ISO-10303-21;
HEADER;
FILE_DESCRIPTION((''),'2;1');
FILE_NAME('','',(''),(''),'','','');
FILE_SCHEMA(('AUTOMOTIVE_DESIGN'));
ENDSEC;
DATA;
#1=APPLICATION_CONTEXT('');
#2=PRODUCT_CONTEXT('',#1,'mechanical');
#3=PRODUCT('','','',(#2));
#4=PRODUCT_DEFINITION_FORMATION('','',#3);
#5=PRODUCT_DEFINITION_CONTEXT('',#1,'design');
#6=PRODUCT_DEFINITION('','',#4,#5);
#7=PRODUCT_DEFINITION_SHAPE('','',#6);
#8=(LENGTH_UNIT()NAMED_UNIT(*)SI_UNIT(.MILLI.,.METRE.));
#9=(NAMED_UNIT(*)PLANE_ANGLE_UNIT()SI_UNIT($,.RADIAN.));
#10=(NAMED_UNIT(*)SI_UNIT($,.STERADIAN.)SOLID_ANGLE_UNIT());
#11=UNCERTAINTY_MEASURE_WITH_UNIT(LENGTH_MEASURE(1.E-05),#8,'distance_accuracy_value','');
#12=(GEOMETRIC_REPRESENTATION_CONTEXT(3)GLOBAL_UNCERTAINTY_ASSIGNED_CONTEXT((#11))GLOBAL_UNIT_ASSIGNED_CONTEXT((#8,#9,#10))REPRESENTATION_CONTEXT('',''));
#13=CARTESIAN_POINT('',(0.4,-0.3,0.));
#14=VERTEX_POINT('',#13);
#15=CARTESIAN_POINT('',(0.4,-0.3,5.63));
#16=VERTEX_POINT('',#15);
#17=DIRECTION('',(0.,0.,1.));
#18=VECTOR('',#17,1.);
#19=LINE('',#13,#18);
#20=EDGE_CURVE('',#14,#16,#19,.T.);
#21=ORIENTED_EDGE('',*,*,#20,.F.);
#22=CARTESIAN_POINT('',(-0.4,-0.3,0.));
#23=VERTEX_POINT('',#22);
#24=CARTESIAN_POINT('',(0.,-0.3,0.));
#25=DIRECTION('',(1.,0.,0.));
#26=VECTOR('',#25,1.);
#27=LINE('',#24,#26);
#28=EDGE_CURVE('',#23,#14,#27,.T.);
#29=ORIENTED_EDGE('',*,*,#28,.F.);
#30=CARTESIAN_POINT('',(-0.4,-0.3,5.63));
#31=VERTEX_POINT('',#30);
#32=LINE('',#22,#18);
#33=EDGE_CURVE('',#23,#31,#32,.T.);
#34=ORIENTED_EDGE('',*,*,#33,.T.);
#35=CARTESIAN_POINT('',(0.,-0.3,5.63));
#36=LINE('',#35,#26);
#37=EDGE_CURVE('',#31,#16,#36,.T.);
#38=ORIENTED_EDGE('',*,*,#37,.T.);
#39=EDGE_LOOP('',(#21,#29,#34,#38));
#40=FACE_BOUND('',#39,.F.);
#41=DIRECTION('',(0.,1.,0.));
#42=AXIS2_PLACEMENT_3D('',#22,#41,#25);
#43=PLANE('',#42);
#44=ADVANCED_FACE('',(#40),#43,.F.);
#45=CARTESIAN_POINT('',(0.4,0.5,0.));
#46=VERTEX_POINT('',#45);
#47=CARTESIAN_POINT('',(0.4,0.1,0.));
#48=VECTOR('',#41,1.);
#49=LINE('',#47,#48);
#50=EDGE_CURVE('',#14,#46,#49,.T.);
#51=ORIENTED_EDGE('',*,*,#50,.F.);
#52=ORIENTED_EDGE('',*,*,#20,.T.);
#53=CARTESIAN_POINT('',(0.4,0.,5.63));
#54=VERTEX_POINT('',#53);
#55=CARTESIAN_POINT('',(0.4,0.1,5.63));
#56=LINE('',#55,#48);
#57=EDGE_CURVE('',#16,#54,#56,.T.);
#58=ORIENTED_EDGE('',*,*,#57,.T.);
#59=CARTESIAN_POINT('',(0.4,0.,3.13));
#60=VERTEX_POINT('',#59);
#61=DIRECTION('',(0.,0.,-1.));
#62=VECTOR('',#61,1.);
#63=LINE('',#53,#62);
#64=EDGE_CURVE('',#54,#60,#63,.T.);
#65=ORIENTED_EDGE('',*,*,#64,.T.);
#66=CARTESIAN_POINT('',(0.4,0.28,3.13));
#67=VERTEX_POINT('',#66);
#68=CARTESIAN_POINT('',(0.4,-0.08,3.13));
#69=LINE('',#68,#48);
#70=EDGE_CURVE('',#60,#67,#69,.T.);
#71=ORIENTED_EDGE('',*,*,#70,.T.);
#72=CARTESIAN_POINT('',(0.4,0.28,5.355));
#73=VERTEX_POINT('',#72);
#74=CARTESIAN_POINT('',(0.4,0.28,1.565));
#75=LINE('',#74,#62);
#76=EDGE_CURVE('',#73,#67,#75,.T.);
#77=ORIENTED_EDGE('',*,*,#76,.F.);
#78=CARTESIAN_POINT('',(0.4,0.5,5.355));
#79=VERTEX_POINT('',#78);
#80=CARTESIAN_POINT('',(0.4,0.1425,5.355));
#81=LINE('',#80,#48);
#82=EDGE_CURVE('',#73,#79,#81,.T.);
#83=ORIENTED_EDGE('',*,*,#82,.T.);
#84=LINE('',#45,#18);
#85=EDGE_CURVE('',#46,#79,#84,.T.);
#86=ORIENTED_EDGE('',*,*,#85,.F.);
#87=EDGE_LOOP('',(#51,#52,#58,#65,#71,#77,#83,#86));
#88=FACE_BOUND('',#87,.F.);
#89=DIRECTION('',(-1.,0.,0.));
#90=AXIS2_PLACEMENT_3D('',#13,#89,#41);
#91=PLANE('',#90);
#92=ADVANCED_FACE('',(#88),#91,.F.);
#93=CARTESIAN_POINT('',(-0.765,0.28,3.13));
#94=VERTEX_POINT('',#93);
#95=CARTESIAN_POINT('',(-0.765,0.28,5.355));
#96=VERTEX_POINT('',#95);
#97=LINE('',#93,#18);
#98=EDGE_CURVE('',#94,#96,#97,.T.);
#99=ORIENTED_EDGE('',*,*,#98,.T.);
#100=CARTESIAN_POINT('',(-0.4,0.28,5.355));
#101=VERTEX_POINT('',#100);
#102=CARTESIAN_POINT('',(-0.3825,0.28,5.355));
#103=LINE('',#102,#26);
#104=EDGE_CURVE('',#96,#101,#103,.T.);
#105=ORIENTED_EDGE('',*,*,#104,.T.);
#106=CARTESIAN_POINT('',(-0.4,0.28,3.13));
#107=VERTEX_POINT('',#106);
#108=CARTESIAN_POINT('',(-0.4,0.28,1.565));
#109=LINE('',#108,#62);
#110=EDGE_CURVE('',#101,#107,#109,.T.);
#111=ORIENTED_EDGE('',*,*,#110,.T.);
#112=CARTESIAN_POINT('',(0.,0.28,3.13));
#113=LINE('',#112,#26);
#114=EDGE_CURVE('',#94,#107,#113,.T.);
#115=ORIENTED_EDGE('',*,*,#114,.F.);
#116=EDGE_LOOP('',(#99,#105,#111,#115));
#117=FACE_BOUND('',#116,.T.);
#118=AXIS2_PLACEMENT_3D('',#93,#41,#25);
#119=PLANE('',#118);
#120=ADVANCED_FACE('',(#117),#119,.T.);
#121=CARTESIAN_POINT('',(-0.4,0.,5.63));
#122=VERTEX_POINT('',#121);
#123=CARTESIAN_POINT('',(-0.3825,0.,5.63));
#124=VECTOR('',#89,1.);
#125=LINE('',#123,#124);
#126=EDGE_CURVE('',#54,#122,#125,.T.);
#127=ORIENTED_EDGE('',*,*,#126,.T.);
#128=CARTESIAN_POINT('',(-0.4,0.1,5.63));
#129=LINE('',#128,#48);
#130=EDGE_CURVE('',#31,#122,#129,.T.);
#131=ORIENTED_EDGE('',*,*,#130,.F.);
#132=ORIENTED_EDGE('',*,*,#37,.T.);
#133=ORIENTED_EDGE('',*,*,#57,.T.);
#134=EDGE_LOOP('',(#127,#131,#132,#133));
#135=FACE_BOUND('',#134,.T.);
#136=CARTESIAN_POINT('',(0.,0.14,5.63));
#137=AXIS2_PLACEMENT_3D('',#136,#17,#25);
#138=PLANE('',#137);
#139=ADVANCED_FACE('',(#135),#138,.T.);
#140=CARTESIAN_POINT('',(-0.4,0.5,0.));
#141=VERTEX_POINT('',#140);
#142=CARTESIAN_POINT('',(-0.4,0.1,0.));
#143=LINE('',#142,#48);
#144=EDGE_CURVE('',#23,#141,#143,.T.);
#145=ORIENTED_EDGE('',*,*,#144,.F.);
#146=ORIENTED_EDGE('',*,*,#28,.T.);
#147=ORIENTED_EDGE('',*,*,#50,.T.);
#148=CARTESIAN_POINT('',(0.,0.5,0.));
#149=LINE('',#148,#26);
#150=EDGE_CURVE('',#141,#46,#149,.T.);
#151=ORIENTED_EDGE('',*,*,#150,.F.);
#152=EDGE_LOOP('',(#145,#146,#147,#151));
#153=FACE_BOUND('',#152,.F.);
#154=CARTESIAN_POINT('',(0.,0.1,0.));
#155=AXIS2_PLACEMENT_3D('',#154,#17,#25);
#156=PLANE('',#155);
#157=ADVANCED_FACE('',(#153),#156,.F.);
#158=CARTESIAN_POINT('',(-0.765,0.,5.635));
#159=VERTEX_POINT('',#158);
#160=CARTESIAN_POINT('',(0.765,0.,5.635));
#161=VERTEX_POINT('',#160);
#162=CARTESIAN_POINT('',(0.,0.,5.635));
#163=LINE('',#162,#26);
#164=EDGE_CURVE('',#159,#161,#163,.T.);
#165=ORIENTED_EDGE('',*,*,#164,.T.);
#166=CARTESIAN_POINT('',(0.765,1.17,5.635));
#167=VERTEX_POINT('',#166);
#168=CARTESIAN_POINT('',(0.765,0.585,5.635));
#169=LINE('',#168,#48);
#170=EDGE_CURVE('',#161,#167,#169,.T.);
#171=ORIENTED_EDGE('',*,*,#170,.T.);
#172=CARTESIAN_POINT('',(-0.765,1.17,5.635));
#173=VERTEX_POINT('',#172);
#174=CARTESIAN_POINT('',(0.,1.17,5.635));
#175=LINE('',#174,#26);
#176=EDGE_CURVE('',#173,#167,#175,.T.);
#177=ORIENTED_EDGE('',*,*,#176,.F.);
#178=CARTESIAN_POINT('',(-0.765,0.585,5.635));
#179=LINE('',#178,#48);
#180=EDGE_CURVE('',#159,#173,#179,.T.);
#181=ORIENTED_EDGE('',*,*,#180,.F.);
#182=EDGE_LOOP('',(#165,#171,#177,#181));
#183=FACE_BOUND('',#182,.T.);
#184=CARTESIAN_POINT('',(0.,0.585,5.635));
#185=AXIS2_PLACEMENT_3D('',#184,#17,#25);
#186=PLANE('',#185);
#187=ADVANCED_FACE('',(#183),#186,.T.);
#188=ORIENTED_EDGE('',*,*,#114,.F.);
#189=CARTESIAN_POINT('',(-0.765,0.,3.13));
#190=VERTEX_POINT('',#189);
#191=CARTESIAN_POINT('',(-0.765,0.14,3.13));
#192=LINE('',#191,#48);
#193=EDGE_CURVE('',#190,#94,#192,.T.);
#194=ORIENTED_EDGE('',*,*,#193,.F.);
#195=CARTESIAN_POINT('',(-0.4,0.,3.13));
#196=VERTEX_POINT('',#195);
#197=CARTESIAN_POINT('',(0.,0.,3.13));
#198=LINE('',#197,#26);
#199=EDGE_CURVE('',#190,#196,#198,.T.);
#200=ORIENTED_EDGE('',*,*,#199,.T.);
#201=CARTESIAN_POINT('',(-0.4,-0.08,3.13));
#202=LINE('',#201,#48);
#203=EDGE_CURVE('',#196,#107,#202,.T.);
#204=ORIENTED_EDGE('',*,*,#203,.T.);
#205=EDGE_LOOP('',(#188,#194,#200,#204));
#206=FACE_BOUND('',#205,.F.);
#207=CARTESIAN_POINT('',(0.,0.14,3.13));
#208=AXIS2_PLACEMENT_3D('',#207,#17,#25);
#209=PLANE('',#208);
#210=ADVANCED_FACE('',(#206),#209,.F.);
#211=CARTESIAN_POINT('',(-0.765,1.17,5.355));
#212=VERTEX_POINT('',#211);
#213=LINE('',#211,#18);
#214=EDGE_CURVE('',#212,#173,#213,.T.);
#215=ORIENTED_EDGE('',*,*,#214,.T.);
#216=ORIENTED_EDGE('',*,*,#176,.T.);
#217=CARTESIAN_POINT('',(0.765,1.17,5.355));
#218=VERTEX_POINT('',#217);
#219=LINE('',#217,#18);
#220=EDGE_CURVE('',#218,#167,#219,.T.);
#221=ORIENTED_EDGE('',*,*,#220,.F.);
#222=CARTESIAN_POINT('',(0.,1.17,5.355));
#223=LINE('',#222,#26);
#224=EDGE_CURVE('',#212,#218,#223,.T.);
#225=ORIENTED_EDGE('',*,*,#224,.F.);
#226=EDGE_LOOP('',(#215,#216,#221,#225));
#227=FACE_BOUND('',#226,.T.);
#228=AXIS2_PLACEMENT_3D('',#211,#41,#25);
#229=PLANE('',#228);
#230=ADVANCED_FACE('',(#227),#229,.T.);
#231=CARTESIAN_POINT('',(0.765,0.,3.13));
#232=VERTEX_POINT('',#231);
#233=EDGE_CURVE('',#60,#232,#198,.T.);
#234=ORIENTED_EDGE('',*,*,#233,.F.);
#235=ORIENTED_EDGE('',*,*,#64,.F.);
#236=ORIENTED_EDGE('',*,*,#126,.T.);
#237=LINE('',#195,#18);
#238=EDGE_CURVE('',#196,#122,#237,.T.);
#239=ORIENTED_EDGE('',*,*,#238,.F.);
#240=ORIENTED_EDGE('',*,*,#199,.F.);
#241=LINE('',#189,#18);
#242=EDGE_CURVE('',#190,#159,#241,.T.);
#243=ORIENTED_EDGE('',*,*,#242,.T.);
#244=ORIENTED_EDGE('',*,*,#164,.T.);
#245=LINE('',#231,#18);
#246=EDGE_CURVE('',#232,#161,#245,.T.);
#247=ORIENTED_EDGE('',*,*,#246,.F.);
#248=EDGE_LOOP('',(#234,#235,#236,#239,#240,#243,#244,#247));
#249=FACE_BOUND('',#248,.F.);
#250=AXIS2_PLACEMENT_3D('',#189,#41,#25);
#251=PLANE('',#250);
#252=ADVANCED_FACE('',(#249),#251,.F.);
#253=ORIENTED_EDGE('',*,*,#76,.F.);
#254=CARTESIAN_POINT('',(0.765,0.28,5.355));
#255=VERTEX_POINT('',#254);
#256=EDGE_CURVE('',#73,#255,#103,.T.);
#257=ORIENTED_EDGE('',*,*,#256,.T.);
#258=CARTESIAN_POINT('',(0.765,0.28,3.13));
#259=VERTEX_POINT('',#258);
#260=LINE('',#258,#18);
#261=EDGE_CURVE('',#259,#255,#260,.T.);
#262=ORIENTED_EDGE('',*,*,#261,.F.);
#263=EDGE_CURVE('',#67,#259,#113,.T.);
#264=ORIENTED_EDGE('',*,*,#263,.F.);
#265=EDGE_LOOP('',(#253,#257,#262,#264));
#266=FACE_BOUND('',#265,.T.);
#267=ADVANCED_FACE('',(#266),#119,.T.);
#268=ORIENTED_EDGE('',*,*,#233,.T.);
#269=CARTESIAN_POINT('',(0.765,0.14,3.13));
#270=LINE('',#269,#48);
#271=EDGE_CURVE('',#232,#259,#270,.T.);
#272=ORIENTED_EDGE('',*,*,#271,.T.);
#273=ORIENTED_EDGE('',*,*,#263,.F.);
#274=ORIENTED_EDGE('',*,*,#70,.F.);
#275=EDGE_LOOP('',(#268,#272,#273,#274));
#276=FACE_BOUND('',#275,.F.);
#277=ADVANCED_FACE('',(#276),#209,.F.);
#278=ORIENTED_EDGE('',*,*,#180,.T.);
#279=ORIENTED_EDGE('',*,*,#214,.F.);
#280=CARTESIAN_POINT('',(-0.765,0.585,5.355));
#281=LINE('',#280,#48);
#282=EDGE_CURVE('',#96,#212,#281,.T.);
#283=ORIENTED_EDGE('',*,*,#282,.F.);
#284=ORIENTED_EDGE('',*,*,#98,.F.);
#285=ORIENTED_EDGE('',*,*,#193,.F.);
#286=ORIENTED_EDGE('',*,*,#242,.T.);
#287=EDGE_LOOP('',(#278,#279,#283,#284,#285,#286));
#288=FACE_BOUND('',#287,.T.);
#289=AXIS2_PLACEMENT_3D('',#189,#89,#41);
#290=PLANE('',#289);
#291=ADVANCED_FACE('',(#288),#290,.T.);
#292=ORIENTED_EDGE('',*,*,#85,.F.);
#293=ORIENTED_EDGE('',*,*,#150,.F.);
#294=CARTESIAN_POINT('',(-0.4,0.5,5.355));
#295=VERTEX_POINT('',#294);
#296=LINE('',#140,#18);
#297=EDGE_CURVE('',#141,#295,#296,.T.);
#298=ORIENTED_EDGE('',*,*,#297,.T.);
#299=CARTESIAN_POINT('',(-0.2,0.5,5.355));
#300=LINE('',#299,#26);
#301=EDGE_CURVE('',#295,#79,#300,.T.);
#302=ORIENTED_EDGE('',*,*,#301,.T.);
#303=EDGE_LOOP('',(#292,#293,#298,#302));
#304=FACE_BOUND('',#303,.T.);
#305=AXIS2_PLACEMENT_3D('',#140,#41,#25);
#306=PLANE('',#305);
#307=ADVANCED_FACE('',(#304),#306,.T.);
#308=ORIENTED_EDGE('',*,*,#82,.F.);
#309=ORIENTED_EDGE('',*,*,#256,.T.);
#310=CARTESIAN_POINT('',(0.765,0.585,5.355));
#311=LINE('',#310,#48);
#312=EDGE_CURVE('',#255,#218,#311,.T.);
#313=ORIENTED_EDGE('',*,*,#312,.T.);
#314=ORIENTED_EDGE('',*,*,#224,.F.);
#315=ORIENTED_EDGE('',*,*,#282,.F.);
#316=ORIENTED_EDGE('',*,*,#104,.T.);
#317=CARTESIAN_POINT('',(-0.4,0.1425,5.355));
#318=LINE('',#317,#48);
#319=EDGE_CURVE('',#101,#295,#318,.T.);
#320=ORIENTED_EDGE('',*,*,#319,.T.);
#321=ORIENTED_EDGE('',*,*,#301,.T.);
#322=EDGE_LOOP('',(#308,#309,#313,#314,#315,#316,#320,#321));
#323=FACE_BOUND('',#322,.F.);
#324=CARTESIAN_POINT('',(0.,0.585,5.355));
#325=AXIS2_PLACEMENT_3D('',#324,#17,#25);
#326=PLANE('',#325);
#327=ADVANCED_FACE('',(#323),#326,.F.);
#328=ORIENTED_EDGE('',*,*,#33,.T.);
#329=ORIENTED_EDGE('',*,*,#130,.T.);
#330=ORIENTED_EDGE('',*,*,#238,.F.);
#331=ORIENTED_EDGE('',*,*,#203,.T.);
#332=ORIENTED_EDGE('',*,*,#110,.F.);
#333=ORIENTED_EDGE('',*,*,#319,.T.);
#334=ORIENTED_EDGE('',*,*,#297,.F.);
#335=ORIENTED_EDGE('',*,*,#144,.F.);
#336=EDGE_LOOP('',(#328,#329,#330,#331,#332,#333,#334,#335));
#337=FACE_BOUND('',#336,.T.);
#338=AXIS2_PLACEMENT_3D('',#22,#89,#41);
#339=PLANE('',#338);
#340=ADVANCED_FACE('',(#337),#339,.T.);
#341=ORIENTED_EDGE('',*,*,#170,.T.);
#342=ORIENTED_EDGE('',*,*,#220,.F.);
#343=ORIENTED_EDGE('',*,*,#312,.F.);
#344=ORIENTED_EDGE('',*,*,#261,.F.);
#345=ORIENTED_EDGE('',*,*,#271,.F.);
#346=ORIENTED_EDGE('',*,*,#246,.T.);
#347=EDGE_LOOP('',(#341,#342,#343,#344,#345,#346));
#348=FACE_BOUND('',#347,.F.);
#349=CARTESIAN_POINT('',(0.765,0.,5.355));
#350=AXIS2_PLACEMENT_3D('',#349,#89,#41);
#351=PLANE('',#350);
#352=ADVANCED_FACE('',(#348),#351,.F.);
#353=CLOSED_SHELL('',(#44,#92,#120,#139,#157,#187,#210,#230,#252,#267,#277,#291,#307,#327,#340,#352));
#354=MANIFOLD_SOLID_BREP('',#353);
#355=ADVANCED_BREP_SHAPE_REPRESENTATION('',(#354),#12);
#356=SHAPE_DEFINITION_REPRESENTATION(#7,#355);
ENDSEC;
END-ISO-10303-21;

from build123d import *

# Parameters (mm, degrees)
BOX003_W     = 1.53
BOX003_H     = 0.28
BOX003_DEPTH = 2.5
BOX004_W     = 1.53
BOX004_H     = 1.17
BOX004_DEPTH = 0.28
BOX002_W     = 0.8
BOX002_H     = 0.8
BOX002_DEPTH = 5.63


with BuildPart() as cube002:
    # Box003 → Box003 (new body)
    with BuildSketch(Plane(origin=(-0.765, 0, 3.13), x_dir=(1, 0, 0), z_dir=(0, 0, 1))):
        with Locations((0.765, 0.14)):
            Rectangle(BOX003_W, BOX003_H)
    extrude(amount=BOX003_DEPTH)


with BuildPart() as cube003:
    # Box004 → Box004 (new body)
    with BuildSketch(Plane(origin=(-0.765, 0, 5.355), x_dir=(1, 0, 0), z_dir=(0, 0, 1))):
        with Locations((0.765, 0.585)):
            Rectangle(BOX004_W, BOX004_H)
    extrude(amount=BOX004_DEPTH)


with BuildPart() as chiplegfat_model:
    # Box002 → Box002 (new body)
    with BuildSketch(Plane(origin=(-0.4, -0.3, 0), x_dir=(1, 0, 0), z_dir=(0, 0, 1))):
        with Locations((0.4, 0.4)):
            Rectangle(BOX002_W, BOX002_H)
    extrude(amount=BOX002_DEPTH)

    # Fusion: union Cube002, Cube003
    add(cube002.part)
    add(cube003.part)


solid = chiplegfat_model.part
